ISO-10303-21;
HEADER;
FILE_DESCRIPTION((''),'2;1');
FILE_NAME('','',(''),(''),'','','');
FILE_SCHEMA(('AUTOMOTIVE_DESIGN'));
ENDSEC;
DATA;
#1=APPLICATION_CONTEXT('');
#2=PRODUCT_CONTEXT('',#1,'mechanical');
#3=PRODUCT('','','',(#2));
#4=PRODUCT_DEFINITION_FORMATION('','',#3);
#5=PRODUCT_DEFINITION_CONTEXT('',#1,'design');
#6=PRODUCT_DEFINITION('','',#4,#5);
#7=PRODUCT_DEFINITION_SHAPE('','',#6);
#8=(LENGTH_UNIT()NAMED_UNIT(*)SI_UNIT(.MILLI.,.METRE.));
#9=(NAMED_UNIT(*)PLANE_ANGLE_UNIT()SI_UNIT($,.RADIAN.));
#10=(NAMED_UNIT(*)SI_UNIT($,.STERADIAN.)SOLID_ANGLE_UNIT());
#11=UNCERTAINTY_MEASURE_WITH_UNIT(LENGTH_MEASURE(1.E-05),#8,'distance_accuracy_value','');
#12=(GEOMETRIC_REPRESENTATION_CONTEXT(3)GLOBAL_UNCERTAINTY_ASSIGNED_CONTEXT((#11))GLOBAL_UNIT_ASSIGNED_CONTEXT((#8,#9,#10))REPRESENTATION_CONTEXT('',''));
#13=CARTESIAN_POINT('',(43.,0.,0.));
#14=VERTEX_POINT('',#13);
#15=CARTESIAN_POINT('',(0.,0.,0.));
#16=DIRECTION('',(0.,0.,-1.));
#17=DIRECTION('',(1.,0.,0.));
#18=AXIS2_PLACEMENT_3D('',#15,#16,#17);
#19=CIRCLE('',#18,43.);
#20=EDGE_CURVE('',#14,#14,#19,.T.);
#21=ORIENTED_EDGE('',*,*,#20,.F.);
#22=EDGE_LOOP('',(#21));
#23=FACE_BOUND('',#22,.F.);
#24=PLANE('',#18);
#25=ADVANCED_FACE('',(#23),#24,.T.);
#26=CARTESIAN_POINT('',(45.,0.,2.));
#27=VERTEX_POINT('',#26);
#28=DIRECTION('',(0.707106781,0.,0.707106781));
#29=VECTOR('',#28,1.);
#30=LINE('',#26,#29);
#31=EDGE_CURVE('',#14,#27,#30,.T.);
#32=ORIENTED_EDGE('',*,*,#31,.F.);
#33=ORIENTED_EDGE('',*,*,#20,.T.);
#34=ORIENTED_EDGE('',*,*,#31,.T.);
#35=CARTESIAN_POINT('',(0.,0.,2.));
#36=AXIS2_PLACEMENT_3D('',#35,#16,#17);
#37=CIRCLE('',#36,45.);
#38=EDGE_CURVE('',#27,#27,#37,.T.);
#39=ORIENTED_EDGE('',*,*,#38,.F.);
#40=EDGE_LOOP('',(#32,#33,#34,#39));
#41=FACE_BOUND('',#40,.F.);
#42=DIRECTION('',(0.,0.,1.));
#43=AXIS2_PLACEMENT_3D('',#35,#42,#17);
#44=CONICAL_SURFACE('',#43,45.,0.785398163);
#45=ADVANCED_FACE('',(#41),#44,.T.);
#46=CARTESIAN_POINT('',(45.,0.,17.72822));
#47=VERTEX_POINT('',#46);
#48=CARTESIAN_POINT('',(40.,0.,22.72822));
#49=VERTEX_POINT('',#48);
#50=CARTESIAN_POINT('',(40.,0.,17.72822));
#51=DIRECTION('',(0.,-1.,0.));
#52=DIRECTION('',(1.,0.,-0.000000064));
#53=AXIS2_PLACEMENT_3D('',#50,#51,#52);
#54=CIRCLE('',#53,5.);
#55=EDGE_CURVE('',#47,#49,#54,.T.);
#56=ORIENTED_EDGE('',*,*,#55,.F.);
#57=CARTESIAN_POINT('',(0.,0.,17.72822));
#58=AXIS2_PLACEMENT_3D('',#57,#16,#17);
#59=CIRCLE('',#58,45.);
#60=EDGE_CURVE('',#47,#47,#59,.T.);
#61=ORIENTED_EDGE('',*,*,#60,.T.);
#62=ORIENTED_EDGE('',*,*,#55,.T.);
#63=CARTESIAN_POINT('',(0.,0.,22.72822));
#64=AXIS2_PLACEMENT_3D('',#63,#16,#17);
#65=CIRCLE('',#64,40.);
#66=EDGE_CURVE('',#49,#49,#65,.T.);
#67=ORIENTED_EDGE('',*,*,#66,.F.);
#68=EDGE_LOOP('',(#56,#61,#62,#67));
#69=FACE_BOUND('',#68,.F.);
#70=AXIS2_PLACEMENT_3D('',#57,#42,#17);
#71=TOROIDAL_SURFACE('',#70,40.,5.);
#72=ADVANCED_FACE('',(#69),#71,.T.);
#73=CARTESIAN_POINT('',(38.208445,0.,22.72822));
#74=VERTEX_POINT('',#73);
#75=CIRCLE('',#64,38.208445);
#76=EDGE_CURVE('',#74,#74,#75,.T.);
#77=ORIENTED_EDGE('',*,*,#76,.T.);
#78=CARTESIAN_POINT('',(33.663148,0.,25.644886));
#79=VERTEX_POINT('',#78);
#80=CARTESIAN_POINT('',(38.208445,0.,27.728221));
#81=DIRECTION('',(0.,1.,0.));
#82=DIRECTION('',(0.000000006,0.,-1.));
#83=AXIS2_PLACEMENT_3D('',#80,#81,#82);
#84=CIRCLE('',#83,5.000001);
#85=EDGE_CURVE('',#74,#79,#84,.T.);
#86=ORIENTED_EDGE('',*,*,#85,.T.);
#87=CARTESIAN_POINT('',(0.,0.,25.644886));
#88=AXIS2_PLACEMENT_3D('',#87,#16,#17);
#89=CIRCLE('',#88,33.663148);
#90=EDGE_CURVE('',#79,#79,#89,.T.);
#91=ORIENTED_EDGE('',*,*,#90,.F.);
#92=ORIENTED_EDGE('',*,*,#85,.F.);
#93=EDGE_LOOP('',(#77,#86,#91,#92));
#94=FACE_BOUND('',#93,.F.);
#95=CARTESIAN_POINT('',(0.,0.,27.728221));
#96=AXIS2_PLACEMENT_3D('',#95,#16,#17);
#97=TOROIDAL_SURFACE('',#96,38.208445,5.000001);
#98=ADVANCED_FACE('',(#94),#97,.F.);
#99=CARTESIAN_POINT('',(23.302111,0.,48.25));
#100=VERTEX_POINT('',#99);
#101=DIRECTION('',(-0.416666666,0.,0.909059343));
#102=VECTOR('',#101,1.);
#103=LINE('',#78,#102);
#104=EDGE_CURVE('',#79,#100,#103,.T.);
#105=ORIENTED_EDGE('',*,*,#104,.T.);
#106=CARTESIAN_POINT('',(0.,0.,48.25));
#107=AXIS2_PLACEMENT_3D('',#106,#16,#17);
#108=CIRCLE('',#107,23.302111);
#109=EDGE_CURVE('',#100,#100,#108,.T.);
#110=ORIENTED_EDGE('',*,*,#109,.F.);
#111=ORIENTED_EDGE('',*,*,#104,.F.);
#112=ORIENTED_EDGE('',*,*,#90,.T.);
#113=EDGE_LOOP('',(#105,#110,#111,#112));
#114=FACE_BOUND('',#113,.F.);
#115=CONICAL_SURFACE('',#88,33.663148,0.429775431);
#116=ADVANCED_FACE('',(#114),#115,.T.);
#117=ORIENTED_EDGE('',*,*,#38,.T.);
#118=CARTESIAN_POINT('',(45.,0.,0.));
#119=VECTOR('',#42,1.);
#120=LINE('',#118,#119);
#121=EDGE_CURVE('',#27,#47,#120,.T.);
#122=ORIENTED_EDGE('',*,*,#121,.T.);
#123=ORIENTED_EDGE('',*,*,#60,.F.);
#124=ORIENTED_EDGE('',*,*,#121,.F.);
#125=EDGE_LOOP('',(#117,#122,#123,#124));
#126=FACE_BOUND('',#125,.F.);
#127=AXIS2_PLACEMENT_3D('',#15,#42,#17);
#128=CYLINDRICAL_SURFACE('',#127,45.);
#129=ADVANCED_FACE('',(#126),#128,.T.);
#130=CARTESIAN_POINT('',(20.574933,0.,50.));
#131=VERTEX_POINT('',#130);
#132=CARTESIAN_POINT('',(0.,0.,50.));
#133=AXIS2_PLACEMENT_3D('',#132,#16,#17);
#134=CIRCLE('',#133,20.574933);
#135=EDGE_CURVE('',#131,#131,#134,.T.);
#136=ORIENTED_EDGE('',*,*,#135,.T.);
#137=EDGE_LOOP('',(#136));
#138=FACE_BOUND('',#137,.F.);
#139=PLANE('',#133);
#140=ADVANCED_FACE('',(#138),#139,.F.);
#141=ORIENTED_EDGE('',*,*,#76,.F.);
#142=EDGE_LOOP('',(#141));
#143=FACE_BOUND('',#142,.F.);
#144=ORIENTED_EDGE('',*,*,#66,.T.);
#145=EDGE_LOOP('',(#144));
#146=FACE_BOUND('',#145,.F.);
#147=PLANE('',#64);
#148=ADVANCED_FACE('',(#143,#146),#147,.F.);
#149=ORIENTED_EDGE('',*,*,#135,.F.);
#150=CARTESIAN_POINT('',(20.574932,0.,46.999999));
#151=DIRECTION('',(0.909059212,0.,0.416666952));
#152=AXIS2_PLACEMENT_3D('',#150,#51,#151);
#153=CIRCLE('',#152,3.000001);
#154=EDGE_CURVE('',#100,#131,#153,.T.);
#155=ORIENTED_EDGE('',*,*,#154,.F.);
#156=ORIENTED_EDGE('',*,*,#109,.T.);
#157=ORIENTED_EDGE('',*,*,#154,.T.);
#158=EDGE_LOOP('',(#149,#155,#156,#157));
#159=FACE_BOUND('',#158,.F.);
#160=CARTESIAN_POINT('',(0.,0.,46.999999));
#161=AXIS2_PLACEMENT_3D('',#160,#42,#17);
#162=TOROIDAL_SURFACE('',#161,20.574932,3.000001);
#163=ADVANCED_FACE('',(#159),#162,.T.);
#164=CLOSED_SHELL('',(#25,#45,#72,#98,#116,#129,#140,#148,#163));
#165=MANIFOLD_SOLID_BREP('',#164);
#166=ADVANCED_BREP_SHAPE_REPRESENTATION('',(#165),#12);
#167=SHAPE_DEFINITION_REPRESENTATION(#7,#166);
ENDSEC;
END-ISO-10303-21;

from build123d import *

# Parameters (mm, degrees)
F2_SIZE = 2


with BuildPart() as f1:
    # F0 (on Front) → F1 (revolve)
    with BuildSketch(Plane.XZ):
        with BuildLine():
            Line((20.574933, 50), (0, 50))
            Line((0, 50), (0, 0))
            Line((0, 0), (45, 0))
            Line((45, 0), (45, 17.72822))
            ThreePointArc((45, 17.72822), (43.535534, 21.263754), (40, 22.72822))
            Line((40, 22.72822), (38.208445, 22.72822))
            ThreePointArc((38.208445, 22.72822), (35.508136, 23.520093), (33.663148, 25.644886))
            Line((33.663148, 25.644886), (23.302111, 48.25))
            ThreePointArc((23.302111, 48.25), (22.195118, 49.524876), (20.574933, 50))
        make_face()
    revolve(axis=Axis((0, 0, 11.618854), (0, 0, -1)))

    # F2
    f2_edges = [f1.edges().sort_by_distance(p)[0] for p in [
        (-45, 0, 0),
    ]]
    chamfer(f2_edges, length=F2_SIZE)


solid = f1.part
